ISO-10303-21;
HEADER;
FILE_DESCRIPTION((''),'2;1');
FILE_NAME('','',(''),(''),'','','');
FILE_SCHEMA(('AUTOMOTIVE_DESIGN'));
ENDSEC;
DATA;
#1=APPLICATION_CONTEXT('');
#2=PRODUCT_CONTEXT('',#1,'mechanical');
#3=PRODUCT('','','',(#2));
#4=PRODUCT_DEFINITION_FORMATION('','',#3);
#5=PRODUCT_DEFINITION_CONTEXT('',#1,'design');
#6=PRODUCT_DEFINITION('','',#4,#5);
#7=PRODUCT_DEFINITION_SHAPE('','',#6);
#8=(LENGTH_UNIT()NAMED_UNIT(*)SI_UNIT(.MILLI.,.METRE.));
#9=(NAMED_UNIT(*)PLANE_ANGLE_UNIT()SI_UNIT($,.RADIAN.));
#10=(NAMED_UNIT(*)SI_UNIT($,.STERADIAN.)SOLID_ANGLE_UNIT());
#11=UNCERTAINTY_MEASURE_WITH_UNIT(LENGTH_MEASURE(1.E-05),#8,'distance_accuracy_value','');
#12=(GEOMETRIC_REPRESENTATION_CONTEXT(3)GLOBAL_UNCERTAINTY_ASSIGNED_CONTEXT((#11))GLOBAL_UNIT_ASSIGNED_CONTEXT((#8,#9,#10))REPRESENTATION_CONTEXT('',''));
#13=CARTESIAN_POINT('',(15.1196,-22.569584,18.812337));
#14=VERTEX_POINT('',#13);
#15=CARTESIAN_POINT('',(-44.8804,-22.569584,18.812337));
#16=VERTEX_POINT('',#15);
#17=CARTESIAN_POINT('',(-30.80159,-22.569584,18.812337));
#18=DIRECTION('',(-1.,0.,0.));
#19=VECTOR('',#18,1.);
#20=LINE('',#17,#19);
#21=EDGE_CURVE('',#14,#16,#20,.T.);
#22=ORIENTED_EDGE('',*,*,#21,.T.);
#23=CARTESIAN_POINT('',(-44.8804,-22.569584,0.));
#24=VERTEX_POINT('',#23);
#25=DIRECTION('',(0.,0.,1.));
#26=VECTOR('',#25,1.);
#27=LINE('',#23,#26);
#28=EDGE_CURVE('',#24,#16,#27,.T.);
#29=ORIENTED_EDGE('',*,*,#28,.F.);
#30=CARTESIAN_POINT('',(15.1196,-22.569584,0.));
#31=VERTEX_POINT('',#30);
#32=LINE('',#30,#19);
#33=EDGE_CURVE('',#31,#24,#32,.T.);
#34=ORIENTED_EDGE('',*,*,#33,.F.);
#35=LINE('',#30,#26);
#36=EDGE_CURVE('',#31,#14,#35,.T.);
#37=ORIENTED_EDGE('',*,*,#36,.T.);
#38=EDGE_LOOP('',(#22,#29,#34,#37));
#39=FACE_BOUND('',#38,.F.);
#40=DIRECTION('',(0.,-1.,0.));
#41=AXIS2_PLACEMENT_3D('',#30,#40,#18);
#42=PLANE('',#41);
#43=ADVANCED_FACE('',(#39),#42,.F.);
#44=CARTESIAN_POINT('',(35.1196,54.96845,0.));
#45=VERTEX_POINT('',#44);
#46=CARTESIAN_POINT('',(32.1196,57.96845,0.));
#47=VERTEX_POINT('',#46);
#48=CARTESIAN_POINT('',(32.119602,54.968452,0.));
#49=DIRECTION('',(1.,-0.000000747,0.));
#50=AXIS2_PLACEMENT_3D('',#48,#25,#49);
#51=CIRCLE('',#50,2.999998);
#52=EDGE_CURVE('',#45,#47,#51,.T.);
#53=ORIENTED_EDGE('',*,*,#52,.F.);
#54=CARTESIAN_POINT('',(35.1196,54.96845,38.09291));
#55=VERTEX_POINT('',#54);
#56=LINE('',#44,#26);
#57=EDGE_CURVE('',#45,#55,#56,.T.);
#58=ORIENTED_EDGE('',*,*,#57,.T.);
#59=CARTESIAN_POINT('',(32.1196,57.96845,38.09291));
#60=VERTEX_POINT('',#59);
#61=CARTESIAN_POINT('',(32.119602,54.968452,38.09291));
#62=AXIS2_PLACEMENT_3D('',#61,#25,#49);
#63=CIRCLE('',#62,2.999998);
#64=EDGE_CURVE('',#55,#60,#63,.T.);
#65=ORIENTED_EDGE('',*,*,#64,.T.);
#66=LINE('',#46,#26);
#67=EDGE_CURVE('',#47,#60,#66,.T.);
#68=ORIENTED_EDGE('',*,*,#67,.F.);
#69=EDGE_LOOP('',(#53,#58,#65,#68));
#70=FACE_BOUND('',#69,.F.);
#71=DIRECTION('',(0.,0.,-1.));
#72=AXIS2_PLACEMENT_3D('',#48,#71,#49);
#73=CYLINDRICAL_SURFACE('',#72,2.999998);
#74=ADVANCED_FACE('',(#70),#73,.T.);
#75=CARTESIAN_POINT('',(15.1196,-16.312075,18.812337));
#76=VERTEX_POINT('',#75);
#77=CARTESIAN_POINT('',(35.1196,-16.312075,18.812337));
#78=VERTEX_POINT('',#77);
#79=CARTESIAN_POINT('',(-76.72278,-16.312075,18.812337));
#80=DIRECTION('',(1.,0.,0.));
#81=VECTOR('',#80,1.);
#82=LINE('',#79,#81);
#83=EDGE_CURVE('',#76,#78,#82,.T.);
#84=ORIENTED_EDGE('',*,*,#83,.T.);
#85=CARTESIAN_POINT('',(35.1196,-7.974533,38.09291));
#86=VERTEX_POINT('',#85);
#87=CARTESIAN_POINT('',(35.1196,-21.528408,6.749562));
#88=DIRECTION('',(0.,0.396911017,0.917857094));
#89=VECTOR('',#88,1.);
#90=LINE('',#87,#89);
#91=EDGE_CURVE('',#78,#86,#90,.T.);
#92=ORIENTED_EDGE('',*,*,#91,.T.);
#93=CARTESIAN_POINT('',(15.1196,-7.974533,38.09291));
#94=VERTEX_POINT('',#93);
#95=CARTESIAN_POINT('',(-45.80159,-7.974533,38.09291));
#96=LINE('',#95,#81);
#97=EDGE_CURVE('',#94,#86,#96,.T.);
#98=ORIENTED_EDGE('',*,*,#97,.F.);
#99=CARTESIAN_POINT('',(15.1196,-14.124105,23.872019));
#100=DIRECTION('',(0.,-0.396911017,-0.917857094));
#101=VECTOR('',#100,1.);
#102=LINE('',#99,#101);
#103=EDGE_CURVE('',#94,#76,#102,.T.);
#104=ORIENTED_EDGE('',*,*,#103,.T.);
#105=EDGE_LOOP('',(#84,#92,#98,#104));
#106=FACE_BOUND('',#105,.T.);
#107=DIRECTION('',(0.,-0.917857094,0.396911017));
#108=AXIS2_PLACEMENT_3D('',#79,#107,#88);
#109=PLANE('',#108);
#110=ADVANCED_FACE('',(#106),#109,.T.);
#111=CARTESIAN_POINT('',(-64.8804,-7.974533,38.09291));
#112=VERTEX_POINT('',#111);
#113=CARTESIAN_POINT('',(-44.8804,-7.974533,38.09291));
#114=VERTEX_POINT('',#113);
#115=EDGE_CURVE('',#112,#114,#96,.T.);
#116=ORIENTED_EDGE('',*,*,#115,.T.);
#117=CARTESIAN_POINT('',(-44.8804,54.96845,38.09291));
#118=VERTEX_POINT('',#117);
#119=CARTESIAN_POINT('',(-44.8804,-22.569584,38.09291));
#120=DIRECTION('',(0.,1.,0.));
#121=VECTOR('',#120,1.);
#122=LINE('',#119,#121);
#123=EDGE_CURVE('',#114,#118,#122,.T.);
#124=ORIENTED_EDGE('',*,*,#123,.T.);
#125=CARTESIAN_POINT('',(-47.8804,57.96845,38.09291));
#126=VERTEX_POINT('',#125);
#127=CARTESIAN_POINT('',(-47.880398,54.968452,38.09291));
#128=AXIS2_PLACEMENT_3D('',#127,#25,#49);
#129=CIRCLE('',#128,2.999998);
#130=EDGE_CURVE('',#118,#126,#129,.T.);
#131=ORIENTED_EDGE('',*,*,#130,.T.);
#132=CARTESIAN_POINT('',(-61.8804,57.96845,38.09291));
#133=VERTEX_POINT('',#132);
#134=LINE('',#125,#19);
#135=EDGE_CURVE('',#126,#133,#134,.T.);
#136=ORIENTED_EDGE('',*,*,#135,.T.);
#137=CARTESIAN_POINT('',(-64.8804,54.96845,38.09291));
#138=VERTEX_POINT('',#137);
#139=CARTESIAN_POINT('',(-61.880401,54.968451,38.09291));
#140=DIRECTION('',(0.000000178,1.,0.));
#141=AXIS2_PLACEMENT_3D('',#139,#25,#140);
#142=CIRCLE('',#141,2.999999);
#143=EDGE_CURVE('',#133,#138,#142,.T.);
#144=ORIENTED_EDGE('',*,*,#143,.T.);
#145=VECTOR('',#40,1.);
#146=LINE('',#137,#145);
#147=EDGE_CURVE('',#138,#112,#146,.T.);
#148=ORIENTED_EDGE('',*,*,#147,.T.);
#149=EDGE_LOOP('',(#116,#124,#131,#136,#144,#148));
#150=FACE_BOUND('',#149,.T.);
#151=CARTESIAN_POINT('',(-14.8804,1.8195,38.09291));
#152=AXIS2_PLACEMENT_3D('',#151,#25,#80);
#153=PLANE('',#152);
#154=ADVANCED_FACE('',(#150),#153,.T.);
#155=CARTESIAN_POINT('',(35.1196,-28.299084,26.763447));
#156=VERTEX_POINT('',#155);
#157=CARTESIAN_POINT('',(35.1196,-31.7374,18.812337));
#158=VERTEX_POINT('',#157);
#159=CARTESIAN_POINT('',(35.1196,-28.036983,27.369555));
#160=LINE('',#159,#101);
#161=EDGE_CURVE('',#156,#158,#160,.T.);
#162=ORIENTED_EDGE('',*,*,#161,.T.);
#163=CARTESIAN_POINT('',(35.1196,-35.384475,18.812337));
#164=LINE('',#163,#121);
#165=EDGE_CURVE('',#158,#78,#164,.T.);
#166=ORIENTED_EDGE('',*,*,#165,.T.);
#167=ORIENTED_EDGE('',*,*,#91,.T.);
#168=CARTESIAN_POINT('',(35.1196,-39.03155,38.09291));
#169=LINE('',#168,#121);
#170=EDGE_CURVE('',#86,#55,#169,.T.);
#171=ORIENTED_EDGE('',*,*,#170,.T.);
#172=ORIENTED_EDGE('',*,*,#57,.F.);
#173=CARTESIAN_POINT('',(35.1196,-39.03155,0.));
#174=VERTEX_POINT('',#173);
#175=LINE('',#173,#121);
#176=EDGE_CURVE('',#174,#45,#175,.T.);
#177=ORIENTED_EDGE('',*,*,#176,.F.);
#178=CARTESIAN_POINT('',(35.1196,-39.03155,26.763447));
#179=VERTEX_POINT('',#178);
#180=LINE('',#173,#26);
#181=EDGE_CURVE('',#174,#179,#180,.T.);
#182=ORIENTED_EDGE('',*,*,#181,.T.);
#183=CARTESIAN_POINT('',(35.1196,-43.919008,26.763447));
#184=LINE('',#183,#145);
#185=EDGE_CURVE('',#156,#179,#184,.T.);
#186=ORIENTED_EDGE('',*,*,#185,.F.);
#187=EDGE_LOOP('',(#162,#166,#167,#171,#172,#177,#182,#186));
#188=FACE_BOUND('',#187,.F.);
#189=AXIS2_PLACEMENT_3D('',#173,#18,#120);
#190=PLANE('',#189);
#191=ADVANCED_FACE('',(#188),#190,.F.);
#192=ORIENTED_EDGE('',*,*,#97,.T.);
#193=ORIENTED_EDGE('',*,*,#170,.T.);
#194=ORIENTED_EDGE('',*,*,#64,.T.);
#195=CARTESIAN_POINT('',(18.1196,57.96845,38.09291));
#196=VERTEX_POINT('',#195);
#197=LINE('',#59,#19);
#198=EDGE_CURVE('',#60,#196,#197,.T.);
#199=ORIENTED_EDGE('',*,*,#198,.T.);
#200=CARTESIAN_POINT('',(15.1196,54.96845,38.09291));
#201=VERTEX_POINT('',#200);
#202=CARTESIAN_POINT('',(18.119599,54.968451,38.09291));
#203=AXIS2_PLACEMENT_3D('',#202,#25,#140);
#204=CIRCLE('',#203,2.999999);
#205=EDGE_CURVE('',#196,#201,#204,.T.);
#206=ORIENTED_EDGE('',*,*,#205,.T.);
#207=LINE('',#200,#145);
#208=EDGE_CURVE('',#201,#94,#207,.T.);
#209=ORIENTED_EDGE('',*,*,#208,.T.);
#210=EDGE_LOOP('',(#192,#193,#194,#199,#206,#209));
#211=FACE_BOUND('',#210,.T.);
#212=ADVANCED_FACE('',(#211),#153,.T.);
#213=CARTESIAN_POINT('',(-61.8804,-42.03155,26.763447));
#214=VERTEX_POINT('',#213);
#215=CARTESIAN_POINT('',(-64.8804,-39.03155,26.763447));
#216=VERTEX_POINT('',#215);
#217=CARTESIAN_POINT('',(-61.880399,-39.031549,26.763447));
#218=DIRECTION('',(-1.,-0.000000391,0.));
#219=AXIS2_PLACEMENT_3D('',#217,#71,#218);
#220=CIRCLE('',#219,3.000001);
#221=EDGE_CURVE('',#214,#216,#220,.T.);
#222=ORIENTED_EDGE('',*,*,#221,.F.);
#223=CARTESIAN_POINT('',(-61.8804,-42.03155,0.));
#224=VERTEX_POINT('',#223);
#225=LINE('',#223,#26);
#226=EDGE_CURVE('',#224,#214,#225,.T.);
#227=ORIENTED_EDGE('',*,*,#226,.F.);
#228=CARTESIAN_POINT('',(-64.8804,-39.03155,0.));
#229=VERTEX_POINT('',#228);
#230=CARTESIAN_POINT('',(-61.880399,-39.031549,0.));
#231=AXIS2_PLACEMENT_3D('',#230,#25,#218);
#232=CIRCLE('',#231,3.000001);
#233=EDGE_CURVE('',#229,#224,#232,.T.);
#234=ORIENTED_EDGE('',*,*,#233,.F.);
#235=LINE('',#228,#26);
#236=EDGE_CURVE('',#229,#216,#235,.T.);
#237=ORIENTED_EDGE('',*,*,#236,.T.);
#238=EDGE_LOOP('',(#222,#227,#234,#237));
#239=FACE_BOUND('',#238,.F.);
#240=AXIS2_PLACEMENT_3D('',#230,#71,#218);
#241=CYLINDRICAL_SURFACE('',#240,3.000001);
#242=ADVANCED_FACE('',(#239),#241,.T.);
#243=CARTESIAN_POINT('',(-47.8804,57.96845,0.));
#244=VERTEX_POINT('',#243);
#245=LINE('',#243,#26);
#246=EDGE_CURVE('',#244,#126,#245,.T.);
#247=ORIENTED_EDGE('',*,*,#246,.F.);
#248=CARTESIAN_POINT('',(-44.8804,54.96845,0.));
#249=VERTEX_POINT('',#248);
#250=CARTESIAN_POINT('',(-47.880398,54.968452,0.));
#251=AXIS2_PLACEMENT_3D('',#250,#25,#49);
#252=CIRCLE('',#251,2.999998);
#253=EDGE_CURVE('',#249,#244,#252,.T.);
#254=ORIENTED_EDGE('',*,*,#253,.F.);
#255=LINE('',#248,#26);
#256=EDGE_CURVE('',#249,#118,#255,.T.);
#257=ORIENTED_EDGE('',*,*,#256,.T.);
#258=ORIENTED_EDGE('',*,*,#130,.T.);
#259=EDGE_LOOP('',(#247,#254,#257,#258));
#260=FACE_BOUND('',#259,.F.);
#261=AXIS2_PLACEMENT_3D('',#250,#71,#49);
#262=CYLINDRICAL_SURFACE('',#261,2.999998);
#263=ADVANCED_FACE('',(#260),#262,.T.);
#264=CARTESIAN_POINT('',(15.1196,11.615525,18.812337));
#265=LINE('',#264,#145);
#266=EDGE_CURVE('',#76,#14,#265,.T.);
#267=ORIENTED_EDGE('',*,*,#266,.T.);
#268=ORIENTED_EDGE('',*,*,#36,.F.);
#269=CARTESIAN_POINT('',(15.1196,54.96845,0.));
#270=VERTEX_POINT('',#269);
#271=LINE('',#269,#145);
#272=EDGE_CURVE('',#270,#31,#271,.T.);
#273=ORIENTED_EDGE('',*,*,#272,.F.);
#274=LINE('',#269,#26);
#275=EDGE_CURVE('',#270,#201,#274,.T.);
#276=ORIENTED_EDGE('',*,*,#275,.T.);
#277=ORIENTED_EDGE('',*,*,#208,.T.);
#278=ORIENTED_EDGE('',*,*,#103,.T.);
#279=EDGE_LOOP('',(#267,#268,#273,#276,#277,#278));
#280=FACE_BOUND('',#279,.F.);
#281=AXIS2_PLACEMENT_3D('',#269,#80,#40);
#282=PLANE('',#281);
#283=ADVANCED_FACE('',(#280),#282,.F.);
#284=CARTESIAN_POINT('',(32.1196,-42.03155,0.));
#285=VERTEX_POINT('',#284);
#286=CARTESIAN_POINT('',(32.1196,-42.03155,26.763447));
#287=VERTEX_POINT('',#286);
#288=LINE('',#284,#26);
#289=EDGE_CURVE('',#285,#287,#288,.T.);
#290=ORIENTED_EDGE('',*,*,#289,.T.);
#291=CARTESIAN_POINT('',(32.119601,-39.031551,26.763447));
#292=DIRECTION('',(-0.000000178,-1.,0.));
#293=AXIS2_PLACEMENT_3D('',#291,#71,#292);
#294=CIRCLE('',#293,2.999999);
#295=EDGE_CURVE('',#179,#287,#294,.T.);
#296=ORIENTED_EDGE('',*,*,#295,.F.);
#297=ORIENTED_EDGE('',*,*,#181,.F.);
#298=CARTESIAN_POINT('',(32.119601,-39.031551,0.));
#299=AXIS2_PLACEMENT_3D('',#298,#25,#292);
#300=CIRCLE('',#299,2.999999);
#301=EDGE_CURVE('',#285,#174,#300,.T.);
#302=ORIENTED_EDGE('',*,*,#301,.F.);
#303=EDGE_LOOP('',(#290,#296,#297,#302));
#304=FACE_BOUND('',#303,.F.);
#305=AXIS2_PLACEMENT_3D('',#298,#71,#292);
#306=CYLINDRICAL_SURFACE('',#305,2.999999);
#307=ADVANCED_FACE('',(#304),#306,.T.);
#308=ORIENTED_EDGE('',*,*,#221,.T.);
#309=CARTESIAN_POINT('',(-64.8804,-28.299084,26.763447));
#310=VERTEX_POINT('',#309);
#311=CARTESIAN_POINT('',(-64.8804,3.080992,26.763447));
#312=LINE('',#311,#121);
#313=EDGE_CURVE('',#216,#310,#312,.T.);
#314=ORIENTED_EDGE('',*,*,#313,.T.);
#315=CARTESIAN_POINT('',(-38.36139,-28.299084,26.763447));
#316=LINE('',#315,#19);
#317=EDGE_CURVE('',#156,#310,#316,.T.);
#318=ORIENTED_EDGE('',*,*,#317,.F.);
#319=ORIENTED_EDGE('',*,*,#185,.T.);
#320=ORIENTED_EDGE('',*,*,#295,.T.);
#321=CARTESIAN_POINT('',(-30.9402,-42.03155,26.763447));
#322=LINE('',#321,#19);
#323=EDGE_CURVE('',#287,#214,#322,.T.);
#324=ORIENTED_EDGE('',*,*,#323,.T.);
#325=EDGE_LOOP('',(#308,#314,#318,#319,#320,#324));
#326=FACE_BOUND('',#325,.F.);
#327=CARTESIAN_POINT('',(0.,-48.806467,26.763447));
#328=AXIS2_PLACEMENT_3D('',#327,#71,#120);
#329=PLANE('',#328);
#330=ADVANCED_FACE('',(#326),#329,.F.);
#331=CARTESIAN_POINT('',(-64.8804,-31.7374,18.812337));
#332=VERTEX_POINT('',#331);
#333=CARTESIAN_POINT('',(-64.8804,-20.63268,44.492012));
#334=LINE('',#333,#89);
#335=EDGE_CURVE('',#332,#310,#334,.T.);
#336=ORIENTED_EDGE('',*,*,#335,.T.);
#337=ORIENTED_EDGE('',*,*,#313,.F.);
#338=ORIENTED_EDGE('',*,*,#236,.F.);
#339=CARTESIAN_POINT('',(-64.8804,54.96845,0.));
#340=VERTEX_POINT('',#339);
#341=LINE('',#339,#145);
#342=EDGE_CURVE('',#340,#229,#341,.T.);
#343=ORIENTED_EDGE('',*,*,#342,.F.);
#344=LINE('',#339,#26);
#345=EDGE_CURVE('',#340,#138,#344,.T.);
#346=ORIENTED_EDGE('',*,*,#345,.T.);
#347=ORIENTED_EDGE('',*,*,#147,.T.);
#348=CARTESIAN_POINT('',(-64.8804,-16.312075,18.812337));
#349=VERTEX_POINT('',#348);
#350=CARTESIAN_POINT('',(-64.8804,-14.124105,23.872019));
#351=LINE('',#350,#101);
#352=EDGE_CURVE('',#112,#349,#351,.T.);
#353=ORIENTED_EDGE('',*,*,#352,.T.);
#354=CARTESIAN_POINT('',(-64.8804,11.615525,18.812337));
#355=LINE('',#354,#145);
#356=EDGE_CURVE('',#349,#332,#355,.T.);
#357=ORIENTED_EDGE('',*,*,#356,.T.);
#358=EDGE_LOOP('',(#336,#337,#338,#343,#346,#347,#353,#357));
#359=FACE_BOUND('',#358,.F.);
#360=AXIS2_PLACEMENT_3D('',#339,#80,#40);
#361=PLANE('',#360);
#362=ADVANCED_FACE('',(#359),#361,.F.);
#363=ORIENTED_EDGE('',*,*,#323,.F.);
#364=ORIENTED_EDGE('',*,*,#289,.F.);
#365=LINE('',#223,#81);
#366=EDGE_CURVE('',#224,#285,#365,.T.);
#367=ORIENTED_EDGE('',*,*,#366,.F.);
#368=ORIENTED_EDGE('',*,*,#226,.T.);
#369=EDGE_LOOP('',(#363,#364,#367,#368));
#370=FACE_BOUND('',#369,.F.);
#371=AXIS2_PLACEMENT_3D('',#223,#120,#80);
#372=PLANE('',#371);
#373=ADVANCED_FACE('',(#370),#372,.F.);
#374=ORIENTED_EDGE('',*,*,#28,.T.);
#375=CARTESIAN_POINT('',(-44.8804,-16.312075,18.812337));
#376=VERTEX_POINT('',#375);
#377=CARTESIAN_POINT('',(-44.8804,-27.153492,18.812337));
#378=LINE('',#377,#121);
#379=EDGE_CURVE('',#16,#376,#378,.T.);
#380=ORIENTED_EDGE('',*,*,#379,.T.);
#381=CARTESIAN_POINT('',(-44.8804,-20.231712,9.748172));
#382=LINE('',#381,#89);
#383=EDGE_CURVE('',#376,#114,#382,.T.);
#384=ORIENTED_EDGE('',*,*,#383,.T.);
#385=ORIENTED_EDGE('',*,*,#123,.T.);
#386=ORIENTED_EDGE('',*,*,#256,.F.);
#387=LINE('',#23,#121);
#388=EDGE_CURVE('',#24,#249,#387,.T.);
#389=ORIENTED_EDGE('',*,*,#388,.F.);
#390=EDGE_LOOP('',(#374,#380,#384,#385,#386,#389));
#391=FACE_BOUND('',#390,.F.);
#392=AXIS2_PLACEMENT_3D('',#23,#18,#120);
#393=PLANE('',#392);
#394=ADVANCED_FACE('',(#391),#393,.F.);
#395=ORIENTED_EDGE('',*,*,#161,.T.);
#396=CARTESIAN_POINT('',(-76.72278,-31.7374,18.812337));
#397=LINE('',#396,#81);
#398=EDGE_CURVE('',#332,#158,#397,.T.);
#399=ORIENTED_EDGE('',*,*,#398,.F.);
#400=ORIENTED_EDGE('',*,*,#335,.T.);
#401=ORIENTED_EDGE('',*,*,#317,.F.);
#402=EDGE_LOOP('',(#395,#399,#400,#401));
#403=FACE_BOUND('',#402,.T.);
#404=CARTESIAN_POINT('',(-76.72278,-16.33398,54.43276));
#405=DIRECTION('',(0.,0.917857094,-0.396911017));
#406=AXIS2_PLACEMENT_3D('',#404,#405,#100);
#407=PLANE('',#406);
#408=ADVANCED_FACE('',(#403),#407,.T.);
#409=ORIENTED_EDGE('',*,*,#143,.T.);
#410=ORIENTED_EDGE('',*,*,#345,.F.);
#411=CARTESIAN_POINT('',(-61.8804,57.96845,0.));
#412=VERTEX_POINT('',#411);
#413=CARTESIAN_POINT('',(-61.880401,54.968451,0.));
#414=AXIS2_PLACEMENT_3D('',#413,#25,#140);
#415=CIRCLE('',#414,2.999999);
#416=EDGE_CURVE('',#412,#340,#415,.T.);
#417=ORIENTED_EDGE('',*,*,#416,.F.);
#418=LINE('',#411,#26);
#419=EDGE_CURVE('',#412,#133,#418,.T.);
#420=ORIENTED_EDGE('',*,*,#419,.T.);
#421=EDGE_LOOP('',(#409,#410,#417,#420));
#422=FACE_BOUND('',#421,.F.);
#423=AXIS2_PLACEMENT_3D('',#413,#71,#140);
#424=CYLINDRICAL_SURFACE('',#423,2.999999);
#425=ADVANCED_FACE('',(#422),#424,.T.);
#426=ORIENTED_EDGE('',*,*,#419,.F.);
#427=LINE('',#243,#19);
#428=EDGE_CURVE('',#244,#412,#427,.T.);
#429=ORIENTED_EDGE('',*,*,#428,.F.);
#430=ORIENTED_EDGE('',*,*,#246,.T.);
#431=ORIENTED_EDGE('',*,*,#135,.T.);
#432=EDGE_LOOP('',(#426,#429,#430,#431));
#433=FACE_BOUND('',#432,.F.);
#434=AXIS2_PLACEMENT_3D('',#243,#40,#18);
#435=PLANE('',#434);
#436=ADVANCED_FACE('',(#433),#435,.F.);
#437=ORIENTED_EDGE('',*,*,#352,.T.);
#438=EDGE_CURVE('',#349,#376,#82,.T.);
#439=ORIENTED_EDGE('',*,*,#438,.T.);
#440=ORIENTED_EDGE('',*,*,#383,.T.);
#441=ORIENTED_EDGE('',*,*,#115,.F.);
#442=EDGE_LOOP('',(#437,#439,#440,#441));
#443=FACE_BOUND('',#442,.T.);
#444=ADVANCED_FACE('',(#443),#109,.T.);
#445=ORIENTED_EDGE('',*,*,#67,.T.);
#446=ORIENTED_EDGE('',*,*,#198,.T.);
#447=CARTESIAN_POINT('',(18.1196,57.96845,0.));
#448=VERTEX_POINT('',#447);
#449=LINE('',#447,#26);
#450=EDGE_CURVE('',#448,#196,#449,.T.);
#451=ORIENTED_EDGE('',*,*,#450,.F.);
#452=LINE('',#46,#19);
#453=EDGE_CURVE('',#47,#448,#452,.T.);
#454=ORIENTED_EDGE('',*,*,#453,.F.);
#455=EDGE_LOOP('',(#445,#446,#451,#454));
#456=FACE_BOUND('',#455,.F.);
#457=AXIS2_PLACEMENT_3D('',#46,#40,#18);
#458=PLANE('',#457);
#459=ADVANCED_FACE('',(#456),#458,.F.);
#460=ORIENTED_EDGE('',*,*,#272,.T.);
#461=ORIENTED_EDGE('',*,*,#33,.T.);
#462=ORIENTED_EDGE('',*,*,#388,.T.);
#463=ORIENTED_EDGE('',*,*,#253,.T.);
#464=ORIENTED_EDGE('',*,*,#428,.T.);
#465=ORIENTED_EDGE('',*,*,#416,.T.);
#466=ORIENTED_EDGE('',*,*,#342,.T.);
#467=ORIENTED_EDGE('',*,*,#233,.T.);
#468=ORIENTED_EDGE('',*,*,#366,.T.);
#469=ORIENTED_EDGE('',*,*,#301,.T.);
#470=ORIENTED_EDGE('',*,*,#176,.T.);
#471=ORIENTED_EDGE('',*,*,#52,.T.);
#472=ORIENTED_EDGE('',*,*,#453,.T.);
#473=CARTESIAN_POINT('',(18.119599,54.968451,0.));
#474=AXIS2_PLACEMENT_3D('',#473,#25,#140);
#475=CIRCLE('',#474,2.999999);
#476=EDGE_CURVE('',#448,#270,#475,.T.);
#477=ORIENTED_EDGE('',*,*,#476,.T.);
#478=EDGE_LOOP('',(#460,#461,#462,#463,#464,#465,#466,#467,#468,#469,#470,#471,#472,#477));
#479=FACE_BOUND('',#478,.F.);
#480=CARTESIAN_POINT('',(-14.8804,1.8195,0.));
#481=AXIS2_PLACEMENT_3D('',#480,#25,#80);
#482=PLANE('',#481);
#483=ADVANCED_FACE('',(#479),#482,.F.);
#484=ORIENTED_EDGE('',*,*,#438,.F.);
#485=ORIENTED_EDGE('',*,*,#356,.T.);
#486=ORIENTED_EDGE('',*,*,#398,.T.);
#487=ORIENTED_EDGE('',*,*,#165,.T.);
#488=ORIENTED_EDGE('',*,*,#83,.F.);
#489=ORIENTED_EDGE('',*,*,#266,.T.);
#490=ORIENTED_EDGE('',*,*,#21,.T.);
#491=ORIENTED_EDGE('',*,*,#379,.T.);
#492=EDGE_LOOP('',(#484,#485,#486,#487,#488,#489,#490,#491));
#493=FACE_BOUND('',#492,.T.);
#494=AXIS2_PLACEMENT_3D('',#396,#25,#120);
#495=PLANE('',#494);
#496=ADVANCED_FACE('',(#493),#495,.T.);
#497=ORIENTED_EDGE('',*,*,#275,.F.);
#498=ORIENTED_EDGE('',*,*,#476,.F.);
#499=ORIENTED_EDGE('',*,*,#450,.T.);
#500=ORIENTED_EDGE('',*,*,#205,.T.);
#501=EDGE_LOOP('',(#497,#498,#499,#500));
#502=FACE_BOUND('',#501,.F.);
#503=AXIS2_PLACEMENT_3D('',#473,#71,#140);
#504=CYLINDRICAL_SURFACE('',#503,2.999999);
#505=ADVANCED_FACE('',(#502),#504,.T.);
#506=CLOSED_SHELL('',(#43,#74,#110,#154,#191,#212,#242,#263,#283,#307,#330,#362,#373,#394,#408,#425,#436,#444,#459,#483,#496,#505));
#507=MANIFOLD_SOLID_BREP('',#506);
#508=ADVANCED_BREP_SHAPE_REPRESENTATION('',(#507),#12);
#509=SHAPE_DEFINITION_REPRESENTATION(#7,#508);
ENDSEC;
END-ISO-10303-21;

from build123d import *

# Parameters (mm, degrees)
F1_DEPTH = 38.09291
F3_DEPTH = 122.48907
F6_W     = 30.103382
F6_H     = 15.981055
F7_DEPTH = 76.09144


with BuildPart() as f1:
    # F0 (on Top) → F1 (new body)
    with BuildSketch(Plane.XY):
        with BuildLine():
            Line((-47.8804, 57.96845), (-61.8804, 57.96845))
            ThreePointArc((-61.8804, 57.96845), (-64.00172, 57.089771), (-64.8804, 54.96845))
            Line((-64.8804, 54.96845), (-64.8804, -39.03155))
            ThreePointArc((-64.8804, -39.03155), (-64.00172, -41.15287), (-61.8804, -42.03155))
            Line((-61.8804, -42.03155), (32.1196, -42.03155))
            ThreePointArc((32.1196, -42.03155), (34.240921, -41.15287), (35.1196, -39.03155))
            Line((35.1196, -39.03155), (35.1196, 54.96845))
            ThreePointArc((35.1196, 54.96845), (34.240921, 57.089771), (32.1196, 57.96845))
            Line((32.1196, 57.96845), (18.1196, 57.96845))
            ThreePointArc((18.1196, 57.96845), (15.99828, 57.089771), (15.1196, 54.96845))
            Line((15.1196, 54.96845), (15.1196, -22.569584))
            Line((15.1196, -22.569584), (-44.8804, -22.569584))
            Line((-44.8804, -22.569584), (-44.8804, 54.96845))
            ThreePointArc((-44.8804, 54.96845), (-45.759079, 57.089771), (-47.8804, 57.96845))
        make_face()
    extrude(amount=F1_DEPTH)


with BuildPart() as f3:
    # F2 (on Right) → F3 (new body)
    with BuildSketch(Plane.YZ):
        Polygon((-71.411475, 51.98656), (-86.8368, 51.98656), (-102.24022, 16.366137), (-86.814895, 16.366137), align=None)
    extrude(amount=F3_DEPTH)


with BuildPart() as f3_1:
    # F4: moved
    add(f3.part.moved(Location((-76.72278, 70.50282, 2.4462))))


with BuildPart() as f1_1:
    add(f1.part)

    # F5: cut F3
    add(f3_1.part, mode=Mode.SUBTRACT)


with BuildPart() as f7:
    # F6 (on Right) → F7 (new body, symmetric)
    with BuildSketch(Plane.YZ):
        with Locations((-78.402916, 34.753974)):
            Rectangle(F6_W, F6_H)
    extrude(amount=F7_DEPTH, both=True)


with BuildPart() as f7_1:
    # F8: moved
    add(f7.part.moved(Location((0, 44.64814, 0))))


with BuildPart() as f1_2:
    add(f1_1.part)

    # F9: cut F7
    add(f7_1.part, mode=Mode.SUBTRACT)


solid = f1_2.part
